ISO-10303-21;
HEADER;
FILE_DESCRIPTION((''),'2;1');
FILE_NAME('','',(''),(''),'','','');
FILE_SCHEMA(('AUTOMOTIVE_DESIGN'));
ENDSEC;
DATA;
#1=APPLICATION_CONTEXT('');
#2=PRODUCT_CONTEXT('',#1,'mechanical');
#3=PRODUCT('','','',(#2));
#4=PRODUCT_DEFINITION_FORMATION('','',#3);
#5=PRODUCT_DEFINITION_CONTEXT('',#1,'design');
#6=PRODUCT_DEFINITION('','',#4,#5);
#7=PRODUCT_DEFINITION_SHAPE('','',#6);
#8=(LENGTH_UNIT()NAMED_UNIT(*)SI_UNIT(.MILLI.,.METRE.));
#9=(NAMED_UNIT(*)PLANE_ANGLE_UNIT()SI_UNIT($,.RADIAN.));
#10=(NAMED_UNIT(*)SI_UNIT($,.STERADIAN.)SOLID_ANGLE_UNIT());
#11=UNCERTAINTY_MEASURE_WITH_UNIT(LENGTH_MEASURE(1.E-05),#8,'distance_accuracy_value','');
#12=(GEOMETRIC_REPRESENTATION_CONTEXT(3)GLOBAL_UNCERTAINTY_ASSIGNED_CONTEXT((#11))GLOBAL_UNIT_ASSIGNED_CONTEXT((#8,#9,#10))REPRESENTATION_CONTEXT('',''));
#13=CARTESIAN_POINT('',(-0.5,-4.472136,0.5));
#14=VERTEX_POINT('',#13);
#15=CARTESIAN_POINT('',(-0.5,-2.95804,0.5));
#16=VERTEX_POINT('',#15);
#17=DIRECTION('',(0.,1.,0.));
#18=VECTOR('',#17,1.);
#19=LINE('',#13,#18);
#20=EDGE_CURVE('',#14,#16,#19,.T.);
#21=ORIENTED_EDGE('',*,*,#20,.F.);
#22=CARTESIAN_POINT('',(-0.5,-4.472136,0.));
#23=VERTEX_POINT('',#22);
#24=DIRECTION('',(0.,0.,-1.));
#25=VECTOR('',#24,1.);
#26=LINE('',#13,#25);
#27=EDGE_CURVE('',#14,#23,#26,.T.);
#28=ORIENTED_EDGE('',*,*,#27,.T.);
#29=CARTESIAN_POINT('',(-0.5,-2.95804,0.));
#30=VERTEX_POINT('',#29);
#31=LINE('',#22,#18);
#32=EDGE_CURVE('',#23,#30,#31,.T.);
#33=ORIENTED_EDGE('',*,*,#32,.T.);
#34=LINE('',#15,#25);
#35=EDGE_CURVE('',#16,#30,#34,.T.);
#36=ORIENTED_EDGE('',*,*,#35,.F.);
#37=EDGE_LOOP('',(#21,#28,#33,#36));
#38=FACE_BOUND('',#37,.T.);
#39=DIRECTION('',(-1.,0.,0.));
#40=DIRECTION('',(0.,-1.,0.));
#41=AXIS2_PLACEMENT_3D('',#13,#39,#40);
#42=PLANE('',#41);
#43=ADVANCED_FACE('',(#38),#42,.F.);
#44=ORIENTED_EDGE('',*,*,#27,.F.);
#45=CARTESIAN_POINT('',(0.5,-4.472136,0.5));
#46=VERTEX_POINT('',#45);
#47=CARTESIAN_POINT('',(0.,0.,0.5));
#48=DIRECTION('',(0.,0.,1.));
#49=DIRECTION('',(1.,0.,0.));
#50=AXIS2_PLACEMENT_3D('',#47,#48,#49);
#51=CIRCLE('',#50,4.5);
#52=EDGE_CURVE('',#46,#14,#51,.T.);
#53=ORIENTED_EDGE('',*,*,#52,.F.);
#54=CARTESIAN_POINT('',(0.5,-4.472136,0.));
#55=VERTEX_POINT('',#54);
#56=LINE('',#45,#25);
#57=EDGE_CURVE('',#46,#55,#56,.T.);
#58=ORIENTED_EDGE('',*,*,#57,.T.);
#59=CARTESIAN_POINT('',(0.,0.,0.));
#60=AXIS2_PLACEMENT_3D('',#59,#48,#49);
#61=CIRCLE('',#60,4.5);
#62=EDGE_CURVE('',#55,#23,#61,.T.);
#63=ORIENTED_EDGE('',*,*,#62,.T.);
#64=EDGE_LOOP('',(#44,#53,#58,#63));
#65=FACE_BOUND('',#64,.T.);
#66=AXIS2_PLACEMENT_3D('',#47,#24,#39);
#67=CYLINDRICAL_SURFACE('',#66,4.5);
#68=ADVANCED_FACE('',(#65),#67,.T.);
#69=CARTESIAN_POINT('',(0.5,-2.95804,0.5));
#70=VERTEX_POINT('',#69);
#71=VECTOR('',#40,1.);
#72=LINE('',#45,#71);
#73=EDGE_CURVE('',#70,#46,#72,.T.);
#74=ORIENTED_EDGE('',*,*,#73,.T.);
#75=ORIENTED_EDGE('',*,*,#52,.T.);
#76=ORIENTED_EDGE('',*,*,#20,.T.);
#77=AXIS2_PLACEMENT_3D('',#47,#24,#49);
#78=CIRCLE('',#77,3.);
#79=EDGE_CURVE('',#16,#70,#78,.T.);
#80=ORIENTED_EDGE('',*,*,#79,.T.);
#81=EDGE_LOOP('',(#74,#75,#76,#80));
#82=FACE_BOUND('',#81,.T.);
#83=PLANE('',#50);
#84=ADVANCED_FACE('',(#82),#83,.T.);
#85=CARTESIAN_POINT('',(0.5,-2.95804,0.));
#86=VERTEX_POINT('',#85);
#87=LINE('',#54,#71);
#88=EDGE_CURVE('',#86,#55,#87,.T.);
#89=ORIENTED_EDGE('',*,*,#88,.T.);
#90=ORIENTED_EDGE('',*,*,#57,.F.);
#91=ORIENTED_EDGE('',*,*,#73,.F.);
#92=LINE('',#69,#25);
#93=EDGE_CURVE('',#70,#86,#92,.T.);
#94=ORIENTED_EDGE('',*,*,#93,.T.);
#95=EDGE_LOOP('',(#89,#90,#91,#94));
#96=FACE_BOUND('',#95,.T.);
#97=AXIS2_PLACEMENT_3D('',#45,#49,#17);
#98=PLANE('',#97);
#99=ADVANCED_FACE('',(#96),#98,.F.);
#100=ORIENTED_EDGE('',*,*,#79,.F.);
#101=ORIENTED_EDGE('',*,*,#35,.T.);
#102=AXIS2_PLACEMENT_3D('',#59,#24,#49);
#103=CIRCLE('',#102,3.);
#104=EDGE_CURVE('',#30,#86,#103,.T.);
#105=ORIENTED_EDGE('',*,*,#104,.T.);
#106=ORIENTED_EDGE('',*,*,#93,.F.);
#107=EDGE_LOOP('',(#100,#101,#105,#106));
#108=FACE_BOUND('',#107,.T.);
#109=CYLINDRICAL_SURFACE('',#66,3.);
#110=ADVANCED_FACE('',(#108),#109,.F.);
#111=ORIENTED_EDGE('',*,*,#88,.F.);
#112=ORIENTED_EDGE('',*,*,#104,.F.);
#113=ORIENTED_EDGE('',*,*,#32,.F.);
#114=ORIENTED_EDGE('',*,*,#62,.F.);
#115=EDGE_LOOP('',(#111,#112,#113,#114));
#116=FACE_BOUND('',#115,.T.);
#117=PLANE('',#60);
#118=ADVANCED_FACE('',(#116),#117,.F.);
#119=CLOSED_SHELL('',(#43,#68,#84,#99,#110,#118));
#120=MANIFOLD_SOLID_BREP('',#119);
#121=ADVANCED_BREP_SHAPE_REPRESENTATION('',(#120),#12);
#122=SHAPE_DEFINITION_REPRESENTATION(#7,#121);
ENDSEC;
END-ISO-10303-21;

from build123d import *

# Parameters (mm, degrees)
BOSS_EXTRU_1_DEPTH = 0.5


with BuildPart() as part:
    # Esquisse2 → Boss.-Extru.1 (new body)
    with BuildSketch(Plane.XY):
        with BuildLine():
            Line((0.5, -4.472135955), (0.5, -2.958039892))
            ThreePointArc((0.5, -2.958039892), (0, 3), (-0.5, -2.958039892))
            Line((-0.5, -2.958039892), (-0.5, -4.472135955))
            ThreePointArc((-0.5, -4.472135955), (0, 4.5), (0.5, -4.472135955))
        make_face()
    extrude(amount=BOSS_EXTRU_1_DEPTH)


solid = part.part
